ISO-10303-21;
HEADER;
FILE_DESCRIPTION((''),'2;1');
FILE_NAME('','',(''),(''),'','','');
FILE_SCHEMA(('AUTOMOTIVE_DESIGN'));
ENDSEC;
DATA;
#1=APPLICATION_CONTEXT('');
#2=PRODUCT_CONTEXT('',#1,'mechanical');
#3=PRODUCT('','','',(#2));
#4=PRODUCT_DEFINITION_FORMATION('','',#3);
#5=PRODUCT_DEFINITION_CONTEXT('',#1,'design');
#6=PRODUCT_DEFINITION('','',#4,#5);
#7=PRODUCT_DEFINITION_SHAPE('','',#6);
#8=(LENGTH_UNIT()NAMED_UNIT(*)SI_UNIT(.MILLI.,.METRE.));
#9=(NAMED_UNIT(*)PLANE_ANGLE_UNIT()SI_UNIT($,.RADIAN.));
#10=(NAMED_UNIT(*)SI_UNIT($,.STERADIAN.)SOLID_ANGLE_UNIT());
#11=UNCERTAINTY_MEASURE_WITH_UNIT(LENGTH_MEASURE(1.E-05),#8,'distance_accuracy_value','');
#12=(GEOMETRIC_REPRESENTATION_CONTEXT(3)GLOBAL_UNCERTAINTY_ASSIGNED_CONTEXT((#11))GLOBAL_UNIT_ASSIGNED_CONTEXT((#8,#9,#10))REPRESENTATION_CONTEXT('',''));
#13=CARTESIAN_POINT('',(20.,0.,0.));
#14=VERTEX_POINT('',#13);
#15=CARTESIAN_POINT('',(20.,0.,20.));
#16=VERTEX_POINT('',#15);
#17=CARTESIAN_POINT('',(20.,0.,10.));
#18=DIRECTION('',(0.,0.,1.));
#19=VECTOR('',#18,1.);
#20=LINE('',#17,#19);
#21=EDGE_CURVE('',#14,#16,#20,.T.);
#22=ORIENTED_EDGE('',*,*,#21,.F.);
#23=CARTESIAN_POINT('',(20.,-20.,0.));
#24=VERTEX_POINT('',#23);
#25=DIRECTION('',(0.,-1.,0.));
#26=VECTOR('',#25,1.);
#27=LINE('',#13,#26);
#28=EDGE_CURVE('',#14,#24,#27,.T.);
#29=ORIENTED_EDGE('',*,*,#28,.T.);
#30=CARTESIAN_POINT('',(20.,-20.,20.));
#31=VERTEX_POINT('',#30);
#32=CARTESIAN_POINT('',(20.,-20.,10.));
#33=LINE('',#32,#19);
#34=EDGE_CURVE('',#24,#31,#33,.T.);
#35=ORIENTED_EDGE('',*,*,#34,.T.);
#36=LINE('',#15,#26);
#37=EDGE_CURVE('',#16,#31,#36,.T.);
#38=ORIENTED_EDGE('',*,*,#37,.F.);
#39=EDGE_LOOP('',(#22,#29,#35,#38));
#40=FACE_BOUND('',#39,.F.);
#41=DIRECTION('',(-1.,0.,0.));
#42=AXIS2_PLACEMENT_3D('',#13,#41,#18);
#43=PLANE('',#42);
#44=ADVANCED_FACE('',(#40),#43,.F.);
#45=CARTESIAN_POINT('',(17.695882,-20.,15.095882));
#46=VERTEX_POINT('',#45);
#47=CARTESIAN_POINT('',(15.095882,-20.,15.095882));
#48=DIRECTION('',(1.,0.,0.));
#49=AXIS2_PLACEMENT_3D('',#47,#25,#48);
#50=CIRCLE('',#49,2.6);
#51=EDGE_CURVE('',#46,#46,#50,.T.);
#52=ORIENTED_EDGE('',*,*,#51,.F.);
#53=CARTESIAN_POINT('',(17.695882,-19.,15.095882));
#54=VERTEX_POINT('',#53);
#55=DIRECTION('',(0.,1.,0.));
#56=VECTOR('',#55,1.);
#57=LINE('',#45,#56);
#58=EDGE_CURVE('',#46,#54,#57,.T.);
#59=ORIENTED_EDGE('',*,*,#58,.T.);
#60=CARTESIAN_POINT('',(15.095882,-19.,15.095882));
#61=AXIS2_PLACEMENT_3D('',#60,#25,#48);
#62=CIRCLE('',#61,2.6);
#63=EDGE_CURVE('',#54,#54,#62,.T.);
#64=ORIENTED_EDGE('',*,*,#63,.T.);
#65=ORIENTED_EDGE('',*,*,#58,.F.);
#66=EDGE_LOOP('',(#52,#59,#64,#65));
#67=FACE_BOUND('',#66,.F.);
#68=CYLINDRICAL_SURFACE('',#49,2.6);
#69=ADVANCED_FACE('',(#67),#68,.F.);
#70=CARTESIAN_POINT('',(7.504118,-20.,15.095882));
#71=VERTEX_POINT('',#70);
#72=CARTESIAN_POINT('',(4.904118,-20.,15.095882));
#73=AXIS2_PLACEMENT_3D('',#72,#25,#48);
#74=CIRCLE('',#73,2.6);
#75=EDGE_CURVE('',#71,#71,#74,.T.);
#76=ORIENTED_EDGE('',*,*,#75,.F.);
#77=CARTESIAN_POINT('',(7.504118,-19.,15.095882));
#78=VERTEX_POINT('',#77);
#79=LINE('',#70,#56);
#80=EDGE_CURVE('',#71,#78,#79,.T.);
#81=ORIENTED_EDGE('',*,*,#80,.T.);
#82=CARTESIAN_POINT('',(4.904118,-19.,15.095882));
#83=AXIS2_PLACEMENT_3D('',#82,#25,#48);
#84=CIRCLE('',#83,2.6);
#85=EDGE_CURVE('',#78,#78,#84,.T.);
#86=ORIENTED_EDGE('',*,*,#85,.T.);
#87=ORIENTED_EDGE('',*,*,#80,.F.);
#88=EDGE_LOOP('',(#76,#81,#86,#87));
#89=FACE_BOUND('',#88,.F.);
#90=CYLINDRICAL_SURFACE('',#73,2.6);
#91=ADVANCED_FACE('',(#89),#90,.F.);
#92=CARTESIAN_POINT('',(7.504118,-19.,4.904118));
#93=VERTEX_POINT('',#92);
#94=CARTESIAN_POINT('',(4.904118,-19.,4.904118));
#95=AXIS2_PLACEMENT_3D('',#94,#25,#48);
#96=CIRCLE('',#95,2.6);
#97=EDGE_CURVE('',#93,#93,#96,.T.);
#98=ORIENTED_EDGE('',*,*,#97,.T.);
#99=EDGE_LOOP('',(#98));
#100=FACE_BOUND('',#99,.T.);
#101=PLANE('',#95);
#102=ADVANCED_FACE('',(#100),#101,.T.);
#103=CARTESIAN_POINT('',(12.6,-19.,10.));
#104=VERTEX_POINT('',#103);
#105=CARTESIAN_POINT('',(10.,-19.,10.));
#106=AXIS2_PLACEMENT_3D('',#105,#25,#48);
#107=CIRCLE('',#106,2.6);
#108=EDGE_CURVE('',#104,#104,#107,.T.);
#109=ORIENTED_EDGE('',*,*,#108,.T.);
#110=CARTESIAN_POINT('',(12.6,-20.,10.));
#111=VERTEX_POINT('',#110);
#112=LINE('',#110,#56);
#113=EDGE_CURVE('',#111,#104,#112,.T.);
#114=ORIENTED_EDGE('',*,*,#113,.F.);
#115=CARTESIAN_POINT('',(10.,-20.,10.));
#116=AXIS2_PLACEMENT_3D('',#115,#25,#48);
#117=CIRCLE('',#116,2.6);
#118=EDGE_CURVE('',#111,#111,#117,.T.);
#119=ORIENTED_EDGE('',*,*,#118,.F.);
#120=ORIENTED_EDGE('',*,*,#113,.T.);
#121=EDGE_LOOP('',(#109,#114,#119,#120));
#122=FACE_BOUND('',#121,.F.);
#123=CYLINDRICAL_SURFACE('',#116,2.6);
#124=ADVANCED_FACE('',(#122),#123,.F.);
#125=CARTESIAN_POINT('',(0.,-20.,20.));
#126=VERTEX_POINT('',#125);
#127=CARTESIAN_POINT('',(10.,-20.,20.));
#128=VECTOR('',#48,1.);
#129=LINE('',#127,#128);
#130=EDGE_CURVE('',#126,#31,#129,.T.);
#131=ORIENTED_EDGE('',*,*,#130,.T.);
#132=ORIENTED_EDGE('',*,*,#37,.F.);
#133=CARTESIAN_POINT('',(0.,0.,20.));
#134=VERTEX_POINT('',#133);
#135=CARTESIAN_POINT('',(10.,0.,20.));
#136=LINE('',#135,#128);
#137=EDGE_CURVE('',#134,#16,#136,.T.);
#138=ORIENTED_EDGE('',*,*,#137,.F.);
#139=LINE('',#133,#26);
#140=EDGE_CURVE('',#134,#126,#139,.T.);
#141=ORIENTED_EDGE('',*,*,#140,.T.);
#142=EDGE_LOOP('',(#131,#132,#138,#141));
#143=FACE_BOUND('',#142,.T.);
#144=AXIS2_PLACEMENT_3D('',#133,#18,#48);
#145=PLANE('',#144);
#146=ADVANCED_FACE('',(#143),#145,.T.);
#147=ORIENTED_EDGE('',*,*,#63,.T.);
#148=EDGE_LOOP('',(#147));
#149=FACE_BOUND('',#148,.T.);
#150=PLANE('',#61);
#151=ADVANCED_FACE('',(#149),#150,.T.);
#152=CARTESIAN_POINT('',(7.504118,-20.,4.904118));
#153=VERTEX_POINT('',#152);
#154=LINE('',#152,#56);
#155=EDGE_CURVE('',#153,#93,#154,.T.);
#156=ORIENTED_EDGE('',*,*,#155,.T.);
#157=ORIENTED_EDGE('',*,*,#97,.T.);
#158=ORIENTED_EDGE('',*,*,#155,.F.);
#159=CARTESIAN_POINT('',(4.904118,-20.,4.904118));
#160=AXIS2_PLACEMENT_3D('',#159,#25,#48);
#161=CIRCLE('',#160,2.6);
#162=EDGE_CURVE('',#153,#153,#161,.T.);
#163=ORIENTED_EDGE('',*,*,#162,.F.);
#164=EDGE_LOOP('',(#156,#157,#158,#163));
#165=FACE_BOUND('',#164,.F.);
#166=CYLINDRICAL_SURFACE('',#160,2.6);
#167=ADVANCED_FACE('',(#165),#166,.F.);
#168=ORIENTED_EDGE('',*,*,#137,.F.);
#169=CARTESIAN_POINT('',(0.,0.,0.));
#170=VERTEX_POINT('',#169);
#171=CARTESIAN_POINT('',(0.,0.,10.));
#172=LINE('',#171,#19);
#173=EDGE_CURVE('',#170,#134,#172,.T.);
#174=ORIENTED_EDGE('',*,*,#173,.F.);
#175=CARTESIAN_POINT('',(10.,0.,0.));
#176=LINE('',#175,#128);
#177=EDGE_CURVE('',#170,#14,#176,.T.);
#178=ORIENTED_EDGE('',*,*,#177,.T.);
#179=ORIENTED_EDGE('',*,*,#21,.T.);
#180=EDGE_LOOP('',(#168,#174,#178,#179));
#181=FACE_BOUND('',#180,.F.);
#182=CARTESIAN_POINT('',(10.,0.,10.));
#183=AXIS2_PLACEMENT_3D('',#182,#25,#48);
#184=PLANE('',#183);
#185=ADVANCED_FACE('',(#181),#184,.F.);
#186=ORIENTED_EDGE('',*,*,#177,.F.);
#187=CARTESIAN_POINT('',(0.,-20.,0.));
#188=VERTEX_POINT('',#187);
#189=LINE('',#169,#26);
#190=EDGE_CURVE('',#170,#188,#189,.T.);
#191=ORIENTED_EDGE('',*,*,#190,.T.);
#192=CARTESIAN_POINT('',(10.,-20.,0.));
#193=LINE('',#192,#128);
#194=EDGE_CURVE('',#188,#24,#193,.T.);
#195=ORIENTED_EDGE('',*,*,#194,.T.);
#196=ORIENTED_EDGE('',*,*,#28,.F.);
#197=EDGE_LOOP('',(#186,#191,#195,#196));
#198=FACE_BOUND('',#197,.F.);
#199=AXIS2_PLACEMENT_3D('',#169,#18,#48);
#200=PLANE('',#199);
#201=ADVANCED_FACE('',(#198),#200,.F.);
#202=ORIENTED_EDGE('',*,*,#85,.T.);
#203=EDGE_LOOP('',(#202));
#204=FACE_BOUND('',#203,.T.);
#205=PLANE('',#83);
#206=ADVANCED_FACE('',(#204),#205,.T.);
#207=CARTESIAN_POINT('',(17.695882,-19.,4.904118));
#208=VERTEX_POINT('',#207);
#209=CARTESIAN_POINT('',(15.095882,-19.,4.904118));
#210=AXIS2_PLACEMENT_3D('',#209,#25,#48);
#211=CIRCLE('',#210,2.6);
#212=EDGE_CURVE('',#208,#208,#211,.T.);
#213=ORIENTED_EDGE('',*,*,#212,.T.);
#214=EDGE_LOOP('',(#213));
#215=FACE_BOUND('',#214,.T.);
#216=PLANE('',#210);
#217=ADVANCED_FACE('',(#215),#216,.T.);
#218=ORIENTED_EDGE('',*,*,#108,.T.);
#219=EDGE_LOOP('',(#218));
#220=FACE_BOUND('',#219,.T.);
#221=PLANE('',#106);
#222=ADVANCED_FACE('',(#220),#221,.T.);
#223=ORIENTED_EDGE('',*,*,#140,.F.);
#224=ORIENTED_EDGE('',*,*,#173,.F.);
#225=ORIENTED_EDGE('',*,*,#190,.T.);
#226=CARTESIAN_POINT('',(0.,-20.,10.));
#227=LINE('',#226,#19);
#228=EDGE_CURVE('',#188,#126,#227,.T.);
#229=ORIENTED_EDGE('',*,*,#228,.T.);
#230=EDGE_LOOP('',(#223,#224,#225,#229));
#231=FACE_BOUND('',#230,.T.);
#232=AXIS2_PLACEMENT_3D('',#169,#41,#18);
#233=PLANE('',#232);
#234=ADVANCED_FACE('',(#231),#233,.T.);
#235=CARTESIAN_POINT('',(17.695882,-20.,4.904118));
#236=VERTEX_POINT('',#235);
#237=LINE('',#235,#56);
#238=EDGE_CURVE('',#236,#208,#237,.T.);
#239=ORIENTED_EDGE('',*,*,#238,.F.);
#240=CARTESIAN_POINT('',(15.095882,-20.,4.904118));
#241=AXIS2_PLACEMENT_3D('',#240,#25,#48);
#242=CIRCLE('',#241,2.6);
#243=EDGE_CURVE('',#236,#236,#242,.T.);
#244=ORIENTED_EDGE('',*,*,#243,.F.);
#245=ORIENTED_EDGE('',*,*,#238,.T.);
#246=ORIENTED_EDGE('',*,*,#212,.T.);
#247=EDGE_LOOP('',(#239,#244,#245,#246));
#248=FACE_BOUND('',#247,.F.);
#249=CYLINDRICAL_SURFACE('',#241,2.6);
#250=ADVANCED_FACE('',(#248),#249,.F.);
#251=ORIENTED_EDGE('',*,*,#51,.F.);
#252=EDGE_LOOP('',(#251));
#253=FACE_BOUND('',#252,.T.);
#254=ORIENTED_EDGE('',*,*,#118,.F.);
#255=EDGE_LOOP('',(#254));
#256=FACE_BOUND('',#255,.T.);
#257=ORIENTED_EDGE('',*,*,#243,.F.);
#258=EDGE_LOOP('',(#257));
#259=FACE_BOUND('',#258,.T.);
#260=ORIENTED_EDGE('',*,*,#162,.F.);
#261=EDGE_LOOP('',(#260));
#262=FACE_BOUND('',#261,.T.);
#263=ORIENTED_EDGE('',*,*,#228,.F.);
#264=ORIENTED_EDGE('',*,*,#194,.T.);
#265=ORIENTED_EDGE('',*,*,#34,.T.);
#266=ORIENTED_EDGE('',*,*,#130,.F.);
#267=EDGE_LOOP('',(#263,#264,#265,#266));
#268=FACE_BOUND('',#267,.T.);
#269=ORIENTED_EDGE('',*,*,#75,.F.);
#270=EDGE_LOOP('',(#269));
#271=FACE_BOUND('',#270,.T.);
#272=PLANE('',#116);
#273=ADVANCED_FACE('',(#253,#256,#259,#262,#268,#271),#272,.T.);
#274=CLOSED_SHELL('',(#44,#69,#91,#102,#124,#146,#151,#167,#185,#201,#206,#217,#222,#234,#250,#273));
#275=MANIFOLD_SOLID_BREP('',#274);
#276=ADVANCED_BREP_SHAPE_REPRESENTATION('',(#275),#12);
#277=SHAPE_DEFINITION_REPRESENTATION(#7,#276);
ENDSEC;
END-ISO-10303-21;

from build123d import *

# Parameters (mm, degrees)
F0_W     = 20
F0_H     = 20
F1_DEPTH = 20
F2_R     = 2.6
F3_DEPTH = 1


with BuildPart() as f1:
    # F0 (on Front) → F1 (new body)
    with BuildSketch(Plane.XZ):
        with Locations((10, 10)):
            Rectangle(F0_W, F0_H)
    extrude(amount=F1_DEPTH)

    # F2 (on face) → F3 (cut)
    with BuildSketch(Plane.XZ.offset(20)):
        with Locations((10, 10)):
            Circle(F2_R)
        with Locations((4.904118, 15.095882)):
            Circle(F2_R)
        with Locations((15.095882, 15.095882)):
            Circle(F2_R)
        with Locations((4.904118, 4.904118)):
            Circle(F2_R)
        with Locations((15.095882, 4.904118)):
            Circle(F2_R)
    extrude(amount=-F3_DEPTH, mode=Mode.SUBTRACT)


solid = f1.part
